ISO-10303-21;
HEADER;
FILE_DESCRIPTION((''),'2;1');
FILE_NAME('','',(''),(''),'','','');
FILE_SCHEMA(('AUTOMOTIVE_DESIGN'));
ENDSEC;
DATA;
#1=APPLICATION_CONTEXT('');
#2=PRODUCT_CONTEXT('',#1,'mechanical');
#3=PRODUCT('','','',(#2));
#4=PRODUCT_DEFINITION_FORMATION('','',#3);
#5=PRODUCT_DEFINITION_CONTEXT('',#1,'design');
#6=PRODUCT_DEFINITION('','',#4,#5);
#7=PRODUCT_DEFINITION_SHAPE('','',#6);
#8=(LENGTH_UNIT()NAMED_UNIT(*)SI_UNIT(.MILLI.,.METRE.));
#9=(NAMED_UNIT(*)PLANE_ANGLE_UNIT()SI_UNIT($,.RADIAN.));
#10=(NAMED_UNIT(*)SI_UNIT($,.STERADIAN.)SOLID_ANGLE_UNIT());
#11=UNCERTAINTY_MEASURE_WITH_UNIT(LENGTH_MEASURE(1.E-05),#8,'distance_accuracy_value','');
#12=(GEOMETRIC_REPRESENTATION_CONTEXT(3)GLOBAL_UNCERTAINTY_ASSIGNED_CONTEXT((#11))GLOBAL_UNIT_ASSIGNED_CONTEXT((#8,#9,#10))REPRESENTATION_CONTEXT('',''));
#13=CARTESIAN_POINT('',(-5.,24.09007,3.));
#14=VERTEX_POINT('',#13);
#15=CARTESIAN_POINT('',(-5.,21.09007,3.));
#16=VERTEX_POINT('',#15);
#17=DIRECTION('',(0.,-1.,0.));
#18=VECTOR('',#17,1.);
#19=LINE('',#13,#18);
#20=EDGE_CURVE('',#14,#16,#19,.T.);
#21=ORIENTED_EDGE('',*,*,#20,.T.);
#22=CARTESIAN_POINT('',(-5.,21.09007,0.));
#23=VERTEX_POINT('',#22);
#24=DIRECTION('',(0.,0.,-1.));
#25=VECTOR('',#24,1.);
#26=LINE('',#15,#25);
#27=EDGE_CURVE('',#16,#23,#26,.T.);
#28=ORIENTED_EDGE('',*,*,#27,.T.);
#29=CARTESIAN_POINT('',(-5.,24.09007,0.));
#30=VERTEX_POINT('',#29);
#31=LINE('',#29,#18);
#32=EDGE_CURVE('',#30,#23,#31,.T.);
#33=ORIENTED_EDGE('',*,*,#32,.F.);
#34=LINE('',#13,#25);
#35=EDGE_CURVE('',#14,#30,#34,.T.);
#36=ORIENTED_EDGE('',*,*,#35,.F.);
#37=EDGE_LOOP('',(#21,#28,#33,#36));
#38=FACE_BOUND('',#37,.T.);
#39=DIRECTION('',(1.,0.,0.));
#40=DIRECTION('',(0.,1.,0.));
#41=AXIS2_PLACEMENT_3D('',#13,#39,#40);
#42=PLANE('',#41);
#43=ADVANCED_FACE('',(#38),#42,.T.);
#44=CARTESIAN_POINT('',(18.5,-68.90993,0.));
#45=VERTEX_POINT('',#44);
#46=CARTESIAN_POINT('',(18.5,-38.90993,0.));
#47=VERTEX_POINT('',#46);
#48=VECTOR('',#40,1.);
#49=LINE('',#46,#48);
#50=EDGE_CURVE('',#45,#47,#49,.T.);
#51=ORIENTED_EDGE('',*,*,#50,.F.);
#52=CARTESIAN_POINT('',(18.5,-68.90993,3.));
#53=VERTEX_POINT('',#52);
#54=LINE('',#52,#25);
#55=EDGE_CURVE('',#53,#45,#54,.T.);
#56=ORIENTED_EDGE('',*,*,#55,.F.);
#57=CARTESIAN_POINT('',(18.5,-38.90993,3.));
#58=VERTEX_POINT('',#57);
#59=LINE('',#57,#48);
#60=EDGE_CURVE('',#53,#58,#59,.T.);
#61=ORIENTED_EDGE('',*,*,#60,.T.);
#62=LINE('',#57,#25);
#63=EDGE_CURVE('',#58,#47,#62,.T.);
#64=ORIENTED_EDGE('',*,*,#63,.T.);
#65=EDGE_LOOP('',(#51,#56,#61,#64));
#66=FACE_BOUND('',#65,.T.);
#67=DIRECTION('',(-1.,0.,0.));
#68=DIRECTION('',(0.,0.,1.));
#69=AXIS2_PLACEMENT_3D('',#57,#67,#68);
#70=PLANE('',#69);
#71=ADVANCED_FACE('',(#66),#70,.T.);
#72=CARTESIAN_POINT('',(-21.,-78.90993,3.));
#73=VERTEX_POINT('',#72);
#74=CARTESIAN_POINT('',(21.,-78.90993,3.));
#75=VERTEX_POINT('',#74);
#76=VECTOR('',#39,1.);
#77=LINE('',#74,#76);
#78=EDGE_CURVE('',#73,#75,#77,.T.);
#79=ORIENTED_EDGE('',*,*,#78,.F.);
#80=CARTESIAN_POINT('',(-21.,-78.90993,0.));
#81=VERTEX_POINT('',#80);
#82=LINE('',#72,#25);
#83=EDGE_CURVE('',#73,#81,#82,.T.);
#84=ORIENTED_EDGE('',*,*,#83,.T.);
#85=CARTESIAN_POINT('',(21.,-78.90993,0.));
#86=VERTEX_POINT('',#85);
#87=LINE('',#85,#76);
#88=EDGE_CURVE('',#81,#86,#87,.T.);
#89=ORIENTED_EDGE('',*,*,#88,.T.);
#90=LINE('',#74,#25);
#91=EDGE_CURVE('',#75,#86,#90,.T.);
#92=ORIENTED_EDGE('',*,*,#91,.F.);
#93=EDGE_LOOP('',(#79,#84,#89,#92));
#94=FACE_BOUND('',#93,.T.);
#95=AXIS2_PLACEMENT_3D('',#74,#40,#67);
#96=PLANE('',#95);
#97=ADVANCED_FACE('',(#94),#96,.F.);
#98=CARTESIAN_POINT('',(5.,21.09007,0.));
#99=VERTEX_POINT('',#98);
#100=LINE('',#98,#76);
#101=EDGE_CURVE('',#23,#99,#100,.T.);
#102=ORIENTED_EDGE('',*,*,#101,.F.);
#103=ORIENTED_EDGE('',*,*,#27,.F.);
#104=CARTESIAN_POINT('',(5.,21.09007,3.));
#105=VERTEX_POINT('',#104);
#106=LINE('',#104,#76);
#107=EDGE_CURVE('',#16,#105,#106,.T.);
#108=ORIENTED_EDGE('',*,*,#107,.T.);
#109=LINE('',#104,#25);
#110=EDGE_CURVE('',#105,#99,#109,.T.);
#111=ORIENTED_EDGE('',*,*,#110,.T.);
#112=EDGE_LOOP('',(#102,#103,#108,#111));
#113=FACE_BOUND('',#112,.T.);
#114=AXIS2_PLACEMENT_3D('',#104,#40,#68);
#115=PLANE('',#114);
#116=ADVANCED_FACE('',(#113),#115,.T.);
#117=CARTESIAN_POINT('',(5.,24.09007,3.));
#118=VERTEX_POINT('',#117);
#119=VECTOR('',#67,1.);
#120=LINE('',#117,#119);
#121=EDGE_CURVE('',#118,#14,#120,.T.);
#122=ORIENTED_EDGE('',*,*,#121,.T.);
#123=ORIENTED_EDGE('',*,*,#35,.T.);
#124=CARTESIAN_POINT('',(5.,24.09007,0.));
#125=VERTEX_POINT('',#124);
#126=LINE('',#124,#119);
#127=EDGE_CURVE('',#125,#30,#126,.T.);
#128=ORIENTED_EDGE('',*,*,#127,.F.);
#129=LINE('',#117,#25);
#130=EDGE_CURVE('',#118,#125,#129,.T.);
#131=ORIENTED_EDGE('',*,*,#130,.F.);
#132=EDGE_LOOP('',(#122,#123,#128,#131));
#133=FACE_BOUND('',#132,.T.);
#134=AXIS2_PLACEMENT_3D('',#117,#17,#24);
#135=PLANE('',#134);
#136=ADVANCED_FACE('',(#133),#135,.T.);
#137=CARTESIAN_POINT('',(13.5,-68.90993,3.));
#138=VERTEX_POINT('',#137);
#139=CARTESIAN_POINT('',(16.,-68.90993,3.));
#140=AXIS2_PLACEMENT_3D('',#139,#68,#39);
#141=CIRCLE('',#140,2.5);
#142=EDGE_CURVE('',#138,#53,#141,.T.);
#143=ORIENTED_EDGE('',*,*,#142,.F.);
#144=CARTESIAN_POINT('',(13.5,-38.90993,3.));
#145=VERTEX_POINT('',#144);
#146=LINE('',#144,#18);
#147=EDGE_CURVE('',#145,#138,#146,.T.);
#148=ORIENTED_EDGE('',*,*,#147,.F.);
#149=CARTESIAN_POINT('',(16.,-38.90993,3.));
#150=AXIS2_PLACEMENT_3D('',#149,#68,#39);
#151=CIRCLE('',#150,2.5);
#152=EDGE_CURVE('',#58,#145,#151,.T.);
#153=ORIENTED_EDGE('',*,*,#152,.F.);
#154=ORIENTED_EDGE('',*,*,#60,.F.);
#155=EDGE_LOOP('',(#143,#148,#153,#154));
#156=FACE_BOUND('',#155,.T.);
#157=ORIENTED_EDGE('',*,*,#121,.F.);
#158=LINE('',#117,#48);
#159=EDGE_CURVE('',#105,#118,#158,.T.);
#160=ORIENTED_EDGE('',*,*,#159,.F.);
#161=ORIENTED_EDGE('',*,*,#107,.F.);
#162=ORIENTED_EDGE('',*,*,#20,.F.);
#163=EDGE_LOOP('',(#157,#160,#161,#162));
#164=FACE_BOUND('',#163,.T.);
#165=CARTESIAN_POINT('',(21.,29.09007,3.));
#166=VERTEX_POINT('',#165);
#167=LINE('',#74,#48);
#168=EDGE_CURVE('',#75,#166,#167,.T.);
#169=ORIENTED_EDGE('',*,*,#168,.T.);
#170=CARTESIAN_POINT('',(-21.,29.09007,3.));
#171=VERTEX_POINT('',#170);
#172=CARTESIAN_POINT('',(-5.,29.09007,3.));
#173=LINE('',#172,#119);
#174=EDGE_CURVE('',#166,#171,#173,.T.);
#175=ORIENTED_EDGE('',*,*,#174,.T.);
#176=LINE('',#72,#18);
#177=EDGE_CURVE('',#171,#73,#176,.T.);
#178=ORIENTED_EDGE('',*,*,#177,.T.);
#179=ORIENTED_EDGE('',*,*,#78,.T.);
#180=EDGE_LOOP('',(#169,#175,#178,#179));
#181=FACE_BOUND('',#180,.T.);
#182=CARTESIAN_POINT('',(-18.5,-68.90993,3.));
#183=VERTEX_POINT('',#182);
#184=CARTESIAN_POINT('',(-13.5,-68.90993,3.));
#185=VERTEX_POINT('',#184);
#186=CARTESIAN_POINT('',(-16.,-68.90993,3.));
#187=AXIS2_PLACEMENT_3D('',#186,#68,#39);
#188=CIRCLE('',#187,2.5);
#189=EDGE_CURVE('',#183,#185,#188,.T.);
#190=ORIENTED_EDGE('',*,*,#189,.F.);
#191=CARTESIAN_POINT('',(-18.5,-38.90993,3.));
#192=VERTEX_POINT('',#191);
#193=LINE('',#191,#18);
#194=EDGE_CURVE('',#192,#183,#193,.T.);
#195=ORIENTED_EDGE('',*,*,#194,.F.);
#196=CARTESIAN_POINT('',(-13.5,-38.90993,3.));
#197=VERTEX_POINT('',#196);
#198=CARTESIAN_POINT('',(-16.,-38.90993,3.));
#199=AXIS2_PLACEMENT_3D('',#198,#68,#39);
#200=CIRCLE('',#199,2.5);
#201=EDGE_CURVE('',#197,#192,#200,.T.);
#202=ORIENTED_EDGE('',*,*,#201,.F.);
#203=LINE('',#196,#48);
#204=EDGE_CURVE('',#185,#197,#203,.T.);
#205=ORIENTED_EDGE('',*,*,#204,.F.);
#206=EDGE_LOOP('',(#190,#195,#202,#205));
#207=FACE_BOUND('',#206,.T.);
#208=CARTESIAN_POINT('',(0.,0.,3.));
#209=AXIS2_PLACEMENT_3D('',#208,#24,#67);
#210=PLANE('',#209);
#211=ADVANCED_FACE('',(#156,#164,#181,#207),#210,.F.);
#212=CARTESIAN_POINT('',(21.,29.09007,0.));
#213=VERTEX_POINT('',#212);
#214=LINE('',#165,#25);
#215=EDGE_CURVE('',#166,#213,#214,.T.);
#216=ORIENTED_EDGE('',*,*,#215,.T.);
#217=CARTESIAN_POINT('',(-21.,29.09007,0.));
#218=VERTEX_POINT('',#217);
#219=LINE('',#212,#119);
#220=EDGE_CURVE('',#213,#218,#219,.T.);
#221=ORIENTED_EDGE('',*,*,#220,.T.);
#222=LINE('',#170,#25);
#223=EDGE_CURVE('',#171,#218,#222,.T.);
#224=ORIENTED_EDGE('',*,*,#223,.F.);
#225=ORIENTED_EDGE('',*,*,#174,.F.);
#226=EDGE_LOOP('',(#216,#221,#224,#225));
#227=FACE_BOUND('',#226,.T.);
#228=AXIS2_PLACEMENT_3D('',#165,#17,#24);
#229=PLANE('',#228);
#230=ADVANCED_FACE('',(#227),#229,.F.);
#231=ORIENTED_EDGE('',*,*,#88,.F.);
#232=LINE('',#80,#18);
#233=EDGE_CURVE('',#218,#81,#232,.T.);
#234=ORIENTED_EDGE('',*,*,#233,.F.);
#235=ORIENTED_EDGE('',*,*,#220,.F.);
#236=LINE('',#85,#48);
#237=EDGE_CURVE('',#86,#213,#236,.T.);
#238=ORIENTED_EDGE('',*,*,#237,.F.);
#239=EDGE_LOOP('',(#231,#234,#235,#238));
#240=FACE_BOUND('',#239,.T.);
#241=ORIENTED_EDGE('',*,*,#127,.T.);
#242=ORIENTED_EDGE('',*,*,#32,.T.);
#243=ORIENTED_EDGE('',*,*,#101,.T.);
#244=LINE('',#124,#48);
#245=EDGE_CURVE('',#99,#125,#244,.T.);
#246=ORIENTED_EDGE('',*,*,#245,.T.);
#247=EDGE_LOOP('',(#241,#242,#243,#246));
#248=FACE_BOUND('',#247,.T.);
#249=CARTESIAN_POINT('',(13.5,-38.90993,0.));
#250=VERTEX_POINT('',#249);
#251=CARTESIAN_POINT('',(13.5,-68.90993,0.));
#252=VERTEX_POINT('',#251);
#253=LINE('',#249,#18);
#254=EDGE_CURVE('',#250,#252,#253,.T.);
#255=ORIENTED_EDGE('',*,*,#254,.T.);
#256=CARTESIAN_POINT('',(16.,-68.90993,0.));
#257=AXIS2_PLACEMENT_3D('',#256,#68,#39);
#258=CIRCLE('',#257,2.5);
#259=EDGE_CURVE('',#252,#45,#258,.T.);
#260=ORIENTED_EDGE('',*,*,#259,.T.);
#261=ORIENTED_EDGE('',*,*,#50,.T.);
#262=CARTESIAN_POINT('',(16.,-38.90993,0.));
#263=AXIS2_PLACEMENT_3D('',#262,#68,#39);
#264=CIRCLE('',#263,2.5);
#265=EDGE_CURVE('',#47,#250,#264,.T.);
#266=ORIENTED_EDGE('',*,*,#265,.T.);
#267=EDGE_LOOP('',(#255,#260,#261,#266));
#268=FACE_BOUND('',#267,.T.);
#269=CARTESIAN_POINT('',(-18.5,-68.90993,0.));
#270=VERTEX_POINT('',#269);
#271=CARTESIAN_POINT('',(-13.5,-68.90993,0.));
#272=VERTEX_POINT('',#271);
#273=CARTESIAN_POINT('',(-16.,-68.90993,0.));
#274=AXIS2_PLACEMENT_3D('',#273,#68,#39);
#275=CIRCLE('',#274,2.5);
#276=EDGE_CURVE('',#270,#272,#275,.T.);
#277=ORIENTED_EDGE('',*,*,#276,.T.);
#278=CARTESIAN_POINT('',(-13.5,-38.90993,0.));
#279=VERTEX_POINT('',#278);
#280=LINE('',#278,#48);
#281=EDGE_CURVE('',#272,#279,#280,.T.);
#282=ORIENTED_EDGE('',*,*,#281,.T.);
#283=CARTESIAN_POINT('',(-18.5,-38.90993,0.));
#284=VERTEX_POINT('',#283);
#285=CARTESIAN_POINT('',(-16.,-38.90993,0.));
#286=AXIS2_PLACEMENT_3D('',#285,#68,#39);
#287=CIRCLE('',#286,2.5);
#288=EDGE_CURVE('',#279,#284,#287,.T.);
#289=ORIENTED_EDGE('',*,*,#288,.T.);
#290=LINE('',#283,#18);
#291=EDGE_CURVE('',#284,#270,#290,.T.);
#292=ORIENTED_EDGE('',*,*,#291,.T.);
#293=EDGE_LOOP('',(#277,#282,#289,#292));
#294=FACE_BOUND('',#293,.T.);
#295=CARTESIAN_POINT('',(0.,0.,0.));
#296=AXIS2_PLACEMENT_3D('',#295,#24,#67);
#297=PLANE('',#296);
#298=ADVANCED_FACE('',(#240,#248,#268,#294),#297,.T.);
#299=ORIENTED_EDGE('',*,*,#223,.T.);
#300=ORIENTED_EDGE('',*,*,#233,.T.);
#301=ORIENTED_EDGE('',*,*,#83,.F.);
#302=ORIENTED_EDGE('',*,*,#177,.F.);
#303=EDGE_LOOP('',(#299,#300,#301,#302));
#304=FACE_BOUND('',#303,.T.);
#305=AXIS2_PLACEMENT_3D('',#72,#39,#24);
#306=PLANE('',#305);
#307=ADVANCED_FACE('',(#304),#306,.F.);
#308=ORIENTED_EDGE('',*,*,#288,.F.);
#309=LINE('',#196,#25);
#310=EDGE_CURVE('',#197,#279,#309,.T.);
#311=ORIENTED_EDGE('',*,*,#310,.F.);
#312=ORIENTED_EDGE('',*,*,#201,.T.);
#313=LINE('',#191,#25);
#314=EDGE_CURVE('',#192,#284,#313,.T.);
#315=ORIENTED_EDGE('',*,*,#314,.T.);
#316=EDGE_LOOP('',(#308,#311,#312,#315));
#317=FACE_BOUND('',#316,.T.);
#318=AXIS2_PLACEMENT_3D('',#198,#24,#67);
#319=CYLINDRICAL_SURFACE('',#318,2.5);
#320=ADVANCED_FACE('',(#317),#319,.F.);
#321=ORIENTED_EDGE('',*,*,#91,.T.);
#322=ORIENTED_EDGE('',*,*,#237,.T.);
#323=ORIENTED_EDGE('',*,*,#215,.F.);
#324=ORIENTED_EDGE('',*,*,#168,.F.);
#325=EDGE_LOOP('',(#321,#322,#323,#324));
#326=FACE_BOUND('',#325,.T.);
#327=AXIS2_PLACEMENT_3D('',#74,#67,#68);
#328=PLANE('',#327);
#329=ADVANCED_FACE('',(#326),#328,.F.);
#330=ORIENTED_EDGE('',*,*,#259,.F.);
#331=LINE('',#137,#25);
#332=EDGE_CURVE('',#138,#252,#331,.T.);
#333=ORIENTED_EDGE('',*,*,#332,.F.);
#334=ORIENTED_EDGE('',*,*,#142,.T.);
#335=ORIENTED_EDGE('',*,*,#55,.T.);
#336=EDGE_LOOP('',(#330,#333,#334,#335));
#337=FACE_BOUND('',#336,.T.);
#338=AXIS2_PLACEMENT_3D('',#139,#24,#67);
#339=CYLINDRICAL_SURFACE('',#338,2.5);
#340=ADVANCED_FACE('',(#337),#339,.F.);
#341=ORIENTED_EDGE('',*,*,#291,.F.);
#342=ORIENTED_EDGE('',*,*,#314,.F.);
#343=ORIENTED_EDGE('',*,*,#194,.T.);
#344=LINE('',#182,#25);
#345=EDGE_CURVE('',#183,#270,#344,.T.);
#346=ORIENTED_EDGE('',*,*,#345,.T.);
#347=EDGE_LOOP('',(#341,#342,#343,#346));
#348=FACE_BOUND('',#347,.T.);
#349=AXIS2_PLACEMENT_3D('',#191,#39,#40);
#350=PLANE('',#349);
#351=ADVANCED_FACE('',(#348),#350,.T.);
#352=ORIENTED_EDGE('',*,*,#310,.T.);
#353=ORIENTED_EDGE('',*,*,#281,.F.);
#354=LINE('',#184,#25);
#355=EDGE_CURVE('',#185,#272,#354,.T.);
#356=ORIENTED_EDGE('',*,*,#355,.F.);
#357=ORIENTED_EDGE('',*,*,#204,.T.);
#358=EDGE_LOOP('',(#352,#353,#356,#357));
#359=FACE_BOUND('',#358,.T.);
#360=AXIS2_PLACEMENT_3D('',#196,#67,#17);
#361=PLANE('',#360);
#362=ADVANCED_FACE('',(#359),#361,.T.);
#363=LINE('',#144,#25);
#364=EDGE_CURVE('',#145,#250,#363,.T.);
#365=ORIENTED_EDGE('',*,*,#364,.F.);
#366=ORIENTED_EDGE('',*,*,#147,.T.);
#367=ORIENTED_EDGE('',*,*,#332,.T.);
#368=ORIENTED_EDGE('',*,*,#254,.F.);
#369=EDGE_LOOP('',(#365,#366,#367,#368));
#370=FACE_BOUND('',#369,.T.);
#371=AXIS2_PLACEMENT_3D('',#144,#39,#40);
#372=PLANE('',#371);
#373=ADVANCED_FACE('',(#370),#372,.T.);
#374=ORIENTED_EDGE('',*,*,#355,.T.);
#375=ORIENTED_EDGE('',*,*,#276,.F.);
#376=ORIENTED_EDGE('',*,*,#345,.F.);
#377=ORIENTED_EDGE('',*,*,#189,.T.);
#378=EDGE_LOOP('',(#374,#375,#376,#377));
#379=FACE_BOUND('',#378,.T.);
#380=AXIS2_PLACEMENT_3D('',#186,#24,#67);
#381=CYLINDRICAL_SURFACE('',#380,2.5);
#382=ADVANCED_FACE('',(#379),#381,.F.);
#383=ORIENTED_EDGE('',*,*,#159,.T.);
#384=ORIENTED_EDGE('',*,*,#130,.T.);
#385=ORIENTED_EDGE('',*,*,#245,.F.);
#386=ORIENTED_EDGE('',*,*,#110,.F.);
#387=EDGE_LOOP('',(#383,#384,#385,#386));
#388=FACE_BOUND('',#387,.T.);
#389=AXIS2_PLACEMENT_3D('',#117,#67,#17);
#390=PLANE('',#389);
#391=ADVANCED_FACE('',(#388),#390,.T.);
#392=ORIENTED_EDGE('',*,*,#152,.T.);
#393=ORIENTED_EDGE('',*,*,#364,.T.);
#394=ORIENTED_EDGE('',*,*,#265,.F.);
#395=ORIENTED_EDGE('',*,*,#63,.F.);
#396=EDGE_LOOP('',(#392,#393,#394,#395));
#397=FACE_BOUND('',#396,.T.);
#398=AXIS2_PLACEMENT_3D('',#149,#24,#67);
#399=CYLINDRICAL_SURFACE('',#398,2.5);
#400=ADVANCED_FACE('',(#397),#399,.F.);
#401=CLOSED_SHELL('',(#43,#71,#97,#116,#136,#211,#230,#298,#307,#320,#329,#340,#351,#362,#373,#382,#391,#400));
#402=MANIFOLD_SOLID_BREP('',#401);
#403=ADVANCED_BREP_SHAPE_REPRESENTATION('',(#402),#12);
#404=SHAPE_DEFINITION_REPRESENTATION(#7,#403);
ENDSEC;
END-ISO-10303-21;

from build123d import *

# Parameters (mm, degrees)
SKETCH1_W           = 10
SKETCH1_H           = 3
BOSS_EXTRUDE1_DEPTH = 3


with BuildPart() as part:
    # Sketch1 → Boss-Extrude1 (new body)
    with BuildSketch(Plane.XY):
        Polygon((21, -78.90992989), (-21, -78.90992989), (-21, 29.09007011), (-5, 29.09007011), (21, 29.09007011), align=None)
        with BuildLine():
            Line((-13.5, -38.90992989), (-13.5, -68.90992989))
            ThreePointArc((-13.5, -68.90992989), (-16, -71.40992989), (-18.5, -68.90992989))
            Line((-18.5, -68.90992989), (-18.5, -38.90992989))
            ThreePointArc((-18.5, -38.90992989), (-16, -36.40992989), (-13.5, -38.90992989))
        make_face(mode=Mode.SUBTRACT)
        with BuildLine():
            Line((18.5, -38.90992989), (18.5, -68.90992989))
            ThreePointArc((18.5, -68.90992989), (16, -71.40992989), (13.5, -68.90992989))
            Line((13.5, -68.90992989), (13.5, -38.90992989))
            ThreePointArc((13.5, -38.90992989), (16, -36.40992989), (18.5, -38.90992989))
        make_face(mode=Mode.SUBTRACT)
        with Locations((0, 22.59007011)):
            Rectangle(SKETCH1_W, SKETCH1_H, mode=Mode.SUBTRACT)
    extrude(amount=BOSS_EXTRUDE1_DEPTH)


solid = part.part
